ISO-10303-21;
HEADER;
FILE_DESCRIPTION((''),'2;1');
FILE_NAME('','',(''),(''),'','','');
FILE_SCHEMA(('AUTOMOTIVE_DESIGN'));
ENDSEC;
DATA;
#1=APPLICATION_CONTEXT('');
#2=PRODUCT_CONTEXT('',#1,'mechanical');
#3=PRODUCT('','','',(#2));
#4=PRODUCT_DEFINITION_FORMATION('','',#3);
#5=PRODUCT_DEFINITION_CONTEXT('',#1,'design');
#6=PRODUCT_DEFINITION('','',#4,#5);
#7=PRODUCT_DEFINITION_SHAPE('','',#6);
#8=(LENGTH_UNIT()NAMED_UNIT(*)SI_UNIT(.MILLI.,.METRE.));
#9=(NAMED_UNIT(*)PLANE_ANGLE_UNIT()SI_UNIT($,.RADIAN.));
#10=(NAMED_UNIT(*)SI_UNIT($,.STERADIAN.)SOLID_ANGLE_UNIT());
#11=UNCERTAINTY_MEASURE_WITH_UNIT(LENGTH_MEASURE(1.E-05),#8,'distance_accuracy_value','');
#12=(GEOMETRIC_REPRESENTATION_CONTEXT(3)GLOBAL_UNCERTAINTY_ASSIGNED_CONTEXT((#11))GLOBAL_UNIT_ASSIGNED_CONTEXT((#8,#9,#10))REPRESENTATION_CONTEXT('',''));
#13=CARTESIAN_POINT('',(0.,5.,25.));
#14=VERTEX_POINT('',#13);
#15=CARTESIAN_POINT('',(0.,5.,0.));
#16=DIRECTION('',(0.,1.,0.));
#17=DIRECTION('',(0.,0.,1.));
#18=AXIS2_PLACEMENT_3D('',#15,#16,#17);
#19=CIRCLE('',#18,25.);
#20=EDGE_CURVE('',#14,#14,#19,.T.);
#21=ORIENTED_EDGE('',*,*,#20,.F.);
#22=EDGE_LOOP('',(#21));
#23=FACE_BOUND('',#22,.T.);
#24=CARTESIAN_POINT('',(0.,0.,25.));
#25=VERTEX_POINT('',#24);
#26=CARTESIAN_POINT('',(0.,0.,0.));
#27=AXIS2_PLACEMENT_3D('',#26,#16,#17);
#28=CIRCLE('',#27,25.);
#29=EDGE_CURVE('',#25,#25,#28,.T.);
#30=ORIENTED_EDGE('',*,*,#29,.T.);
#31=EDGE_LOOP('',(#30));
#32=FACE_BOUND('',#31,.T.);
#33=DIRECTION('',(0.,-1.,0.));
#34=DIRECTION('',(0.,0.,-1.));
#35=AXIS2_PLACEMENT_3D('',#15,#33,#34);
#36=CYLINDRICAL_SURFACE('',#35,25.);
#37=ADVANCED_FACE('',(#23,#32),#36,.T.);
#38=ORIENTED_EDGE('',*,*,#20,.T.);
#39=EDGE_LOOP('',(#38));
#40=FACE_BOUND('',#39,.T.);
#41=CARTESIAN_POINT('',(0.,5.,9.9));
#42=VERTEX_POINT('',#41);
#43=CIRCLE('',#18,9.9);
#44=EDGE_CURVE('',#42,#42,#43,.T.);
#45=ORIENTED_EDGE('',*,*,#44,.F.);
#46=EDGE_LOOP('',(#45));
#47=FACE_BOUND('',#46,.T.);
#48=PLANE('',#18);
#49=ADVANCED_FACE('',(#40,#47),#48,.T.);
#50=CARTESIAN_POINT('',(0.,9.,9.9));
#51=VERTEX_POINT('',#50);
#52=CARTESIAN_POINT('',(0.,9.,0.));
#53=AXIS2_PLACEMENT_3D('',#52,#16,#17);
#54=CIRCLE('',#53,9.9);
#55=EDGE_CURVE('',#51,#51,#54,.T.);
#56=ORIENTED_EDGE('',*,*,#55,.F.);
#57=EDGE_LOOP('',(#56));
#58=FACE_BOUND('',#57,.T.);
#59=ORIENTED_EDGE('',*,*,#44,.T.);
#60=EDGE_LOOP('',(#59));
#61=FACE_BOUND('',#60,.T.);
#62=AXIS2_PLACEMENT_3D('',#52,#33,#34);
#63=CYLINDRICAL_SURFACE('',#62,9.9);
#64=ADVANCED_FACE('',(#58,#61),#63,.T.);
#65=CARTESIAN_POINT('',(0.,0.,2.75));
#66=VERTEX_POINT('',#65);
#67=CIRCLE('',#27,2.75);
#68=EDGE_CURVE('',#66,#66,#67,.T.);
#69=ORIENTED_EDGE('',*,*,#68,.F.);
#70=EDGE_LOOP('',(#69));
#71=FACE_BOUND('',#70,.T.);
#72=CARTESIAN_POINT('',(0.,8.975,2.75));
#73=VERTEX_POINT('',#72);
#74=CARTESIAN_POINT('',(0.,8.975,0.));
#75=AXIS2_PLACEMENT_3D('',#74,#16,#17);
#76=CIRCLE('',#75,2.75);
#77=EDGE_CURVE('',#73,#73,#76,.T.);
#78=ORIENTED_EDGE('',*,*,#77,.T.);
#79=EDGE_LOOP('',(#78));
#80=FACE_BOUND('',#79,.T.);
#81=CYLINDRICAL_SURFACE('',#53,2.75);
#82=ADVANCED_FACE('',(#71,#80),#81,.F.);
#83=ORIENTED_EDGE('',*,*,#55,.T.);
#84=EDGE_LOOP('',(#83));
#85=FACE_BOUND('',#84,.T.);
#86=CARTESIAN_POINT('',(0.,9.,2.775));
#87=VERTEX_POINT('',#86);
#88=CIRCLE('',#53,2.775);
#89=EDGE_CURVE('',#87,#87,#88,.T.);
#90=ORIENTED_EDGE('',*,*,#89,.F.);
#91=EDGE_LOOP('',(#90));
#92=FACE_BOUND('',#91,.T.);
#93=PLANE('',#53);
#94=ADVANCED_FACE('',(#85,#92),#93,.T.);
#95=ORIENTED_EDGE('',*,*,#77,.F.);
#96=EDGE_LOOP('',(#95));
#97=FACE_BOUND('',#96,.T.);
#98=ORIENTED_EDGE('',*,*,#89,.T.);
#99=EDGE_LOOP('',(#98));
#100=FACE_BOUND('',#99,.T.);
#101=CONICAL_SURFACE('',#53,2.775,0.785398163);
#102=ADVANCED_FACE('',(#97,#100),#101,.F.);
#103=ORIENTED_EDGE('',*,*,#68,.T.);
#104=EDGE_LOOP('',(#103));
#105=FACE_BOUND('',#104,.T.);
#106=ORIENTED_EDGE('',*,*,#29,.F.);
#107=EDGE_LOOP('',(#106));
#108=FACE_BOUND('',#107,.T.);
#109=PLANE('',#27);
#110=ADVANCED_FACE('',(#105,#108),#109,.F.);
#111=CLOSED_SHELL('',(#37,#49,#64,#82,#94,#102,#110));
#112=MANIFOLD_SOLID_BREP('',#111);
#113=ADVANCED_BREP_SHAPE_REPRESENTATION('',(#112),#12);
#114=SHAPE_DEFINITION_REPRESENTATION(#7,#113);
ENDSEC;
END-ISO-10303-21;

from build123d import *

# Parameters (mm, degrees)
SKETCH1_R                      = 25
BOSS_EXTRUDE1_DEPTH            = 5
SKETCH2_R                      = 9.9
BOSS_EXTRUDE2_DEPTH            = 4
M5_CLEARANCE_HOLE1_D           = 5.5
M5_CLEARANCE_HOLE1_CSINK_D     = 5.55
M5_CLEARANCE_HOLE1_CSINK_ANGLE = 90


with BuildPart() as part:
    # Sketch1 → Boss-Extrude1 (new body)
    with BuildSketch(Plane(origin=(0, 0, 0), x_dir=(1, 0, 0), z_dir=(0, 1, 0))):
        with Locations(Location((0, 0, 0), (0, 0, 270))):
            Circle(SKETCH1_R)
    extrude(amount=BOSS_EXTRUDE1_DEPTH)

    # Sketch2 → Boss-Extrude2 (add)
    with BuildSketch(Plane(origin=(0, 5, 0), x_dir=(1, 0, 0), z_dir=(0, 1, 0))):
        with Locations(Location((0, 0, 0), (0, 0, 270))):
            Circle(SKETCH2_R)
    extrude(amount=BOSS_EXTRUDE2_DEPTH)

    # M5 Clearance Hole1 (through all)
    with Locations(Plane(origin=(0, 9, 0), x_dir=(1, 0, 0), z_dir=(0, 1, 0))):
        with Locations((0, 0)):
            CounterSinkHole(M5_CLEARANCE_HOLE1_D / 2, M5_CLEARANCE_HOLE1_CSINK_D / 2, counter_sink_angle=M5_CLEARANCE_HOLE1_CSINK_ANGLE)


solid = part.part
